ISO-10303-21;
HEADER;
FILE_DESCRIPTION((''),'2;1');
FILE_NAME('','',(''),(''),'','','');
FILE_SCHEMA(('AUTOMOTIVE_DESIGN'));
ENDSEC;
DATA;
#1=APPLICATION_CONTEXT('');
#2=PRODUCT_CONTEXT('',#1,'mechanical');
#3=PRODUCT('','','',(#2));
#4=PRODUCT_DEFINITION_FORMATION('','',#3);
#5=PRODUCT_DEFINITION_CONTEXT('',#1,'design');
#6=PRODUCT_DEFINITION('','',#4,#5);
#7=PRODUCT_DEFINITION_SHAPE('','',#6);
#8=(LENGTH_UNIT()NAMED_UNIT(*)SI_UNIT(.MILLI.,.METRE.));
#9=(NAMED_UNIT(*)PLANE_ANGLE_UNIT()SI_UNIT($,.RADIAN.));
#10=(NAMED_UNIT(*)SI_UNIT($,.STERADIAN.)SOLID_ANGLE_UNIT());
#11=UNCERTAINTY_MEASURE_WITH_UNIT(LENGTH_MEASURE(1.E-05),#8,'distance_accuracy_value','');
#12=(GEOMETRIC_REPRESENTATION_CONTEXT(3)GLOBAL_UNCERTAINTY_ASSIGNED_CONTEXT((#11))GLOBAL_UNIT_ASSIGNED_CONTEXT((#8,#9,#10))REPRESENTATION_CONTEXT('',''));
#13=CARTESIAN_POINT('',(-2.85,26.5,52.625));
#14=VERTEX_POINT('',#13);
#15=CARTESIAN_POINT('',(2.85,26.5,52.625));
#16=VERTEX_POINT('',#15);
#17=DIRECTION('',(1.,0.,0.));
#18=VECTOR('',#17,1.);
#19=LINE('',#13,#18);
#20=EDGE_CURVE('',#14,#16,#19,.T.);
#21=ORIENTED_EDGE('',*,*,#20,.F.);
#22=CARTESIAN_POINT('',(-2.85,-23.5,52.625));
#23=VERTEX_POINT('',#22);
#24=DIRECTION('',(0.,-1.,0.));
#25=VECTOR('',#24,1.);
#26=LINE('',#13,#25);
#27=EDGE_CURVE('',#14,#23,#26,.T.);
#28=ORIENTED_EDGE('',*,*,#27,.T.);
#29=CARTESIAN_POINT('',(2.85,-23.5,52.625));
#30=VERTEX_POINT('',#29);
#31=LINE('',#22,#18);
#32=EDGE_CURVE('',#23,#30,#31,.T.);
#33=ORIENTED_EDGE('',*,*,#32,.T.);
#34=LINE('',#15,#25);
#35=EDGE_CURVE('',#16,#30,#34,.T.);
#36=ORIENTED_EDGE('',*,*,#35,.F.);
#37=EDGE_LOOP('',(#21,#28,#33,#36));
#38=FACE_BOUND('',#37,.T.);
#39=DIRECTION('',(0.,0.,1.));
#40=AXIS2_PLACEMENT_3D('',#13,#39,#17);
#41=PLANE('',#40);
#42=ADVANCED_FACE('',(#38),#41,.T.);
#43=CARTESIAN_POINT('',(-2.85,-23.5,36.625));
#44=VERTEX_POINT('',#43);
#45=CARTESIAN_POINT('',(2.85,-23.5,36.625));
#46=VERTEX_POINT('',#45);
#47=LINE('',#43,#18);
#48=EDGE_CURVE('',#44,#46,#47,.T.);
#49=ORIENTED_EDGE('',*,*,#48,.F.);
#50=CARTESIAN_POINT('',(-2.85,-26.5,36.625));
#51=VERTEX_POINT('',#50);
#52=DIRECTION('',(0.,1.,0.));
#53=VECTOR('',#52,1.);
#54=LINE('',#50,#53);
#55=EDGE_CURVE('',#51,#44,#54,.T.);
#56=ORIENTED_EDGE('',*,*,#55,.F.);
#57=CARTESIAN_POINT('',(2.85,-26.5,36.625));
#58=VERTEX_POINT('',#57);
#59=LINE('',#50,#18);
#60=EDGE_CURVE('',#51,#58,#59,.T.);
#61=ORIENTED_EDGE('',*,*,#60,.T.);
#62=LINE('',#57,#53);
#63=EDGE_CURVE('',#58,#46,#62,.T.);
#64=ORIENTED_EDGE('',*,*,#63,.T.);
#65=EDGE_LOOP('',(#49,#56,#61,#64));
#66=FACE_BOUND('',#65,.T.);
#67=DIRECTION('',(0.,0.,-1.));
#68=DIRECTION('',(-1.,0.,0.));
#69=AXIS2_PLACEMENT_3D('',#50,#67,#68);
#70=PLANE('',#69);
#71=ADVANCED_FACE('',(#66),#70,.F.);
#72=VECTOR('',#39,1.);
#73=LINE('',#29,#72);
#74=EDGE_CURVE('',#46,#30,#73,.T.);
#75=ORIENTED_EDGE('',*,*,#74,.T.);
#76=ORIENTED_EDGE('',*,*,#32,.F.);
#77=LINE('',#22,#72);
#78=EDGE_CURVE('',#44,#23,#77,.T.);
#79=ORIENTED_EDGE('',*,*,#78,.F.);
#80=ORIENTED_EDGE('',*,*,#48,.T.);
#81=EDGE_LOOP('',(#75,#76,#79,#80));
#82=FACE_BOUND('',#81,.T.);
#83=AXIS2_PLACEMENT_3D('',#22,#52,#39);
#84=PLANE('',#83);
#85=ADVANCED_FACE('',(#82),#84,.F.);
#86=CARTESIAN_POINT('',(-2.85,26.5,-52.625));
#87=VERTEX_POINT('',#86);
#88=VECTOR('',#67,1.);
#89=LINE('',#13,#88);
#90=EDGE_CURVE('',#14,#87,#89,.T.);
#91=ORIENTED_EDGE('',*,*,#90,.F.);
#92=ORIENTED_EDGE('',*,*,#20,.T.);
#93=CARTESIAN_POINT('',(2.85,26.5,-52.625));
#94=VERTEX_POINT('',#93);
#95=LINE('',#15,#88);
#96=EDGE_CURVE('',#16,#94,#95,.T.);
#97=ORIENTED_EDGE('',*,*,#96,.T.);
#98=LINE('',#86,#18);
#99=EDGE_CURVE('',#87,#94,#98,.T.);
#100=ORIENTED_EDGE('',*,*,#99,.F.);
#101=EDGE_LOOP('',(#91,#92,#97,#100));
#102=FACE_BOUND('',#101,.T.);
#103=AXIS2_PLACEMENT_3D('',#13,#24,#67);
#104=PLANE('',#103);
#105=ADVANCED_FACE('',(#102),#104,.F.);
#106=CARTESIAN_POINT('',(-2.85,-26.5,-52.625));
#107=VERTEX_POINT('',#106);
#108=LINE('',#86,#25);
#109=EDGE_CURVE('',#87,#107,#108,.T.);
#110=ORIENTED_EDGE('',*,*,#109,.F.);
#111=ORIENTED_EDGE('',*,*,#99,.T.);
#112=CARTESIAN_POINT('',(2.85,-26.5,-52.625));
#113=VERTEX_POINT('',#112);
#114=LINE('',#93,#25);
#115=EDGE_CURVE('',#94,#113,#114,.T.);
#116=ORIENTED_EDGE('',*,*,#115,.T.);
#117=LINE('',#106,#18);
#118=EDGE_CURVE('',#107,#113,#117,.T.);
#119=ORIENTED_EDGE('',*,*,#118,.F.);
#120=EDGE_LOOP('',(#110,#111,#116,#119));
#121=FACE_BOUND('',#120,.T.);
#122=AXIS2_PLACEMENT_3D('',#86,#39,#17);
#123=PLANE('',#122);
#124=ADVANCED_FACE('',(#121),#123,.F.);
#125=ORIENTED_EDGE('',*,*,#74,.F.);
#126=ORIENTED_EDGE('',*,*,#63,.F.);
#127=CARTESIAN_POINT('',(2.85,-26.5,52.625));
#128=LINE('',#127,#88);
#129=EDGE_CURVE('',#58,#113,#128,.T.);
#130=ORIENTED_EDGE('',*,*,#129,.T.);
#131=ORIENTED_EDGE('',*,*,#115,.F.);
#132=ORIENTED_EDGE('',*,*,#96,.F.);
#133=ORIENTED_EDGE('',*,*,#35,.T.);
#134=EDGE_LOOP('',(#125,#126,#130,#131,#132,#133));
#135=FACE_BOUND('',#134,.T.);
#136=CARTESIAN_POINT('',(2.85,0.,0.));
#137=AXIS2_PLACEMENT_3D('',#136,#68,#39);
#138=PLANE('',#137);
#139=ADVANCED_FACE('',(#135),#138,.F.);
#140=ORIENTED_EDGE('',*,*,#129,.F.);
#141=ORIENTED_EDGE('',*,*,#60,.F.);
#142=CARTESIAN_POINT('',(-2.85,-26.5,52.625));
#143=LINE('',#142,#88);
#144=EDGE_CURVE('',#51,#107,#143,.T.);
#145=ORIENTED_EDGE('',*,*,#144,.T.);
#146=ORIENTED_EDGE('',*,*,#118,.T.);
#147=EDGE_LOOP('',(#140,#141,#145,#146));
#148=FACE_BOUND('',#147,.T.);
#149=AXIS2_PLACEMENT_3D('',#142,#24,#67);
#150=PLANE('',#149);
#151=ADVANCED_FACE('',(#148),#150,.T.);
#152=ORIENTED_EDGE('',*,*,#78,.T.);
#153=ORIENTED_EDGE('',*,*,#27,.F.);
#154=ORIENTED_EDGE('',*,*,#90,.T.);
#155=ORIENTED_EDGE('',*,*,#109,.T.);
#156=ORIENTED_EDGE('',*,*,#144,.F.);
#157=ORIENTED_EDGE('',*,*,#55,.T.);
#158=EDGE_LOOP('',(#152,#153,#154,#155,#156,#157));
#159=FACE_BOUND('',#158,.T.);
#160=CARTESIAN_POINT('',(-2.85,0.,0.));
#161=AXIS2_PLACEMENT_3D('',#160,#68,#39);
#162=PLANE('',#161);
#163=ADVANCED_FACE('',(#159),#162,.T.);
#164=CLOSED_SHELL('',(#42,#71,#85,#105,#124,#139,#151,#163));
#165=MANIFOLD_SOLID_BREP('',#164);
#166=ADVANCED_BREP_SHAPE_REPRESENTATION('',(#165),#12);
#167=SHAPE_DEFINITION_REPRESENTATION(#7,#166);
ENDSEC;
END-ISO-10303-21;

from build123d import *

# Parameters (mm, degrees)
BOSS_EXTRUDE1_DEPTH      = 2.85
BOSS_EXTRUDE1_DEPTH_BACK = 2.85
SKETCH1_W                = 105.25
SKETCH1_H                = 53
SKETCH2_W                = 16
SKETCH2_H                = 3
CUT_EXTRUDE1_DEPTH       = 60.19569769


with BuildPart() as part:
    # Sketch1 → Boss-Extrude1 (new, two sides: drawn at the far end of the back side and taken through both)
    with BuildSketch(Plane(origin=(0, 0, 0), x_dir=(0, 0, -1), z_dir=(1, 0, 0)).offset(-BOSS_EXTRUDE1_DEPTH_BACK)):
        Rectangle(SKETCH1_W, SKETCH1_H)
    extrude(amount=BOSS_EXTRUDE1_DEPTH + BOSS_EXTRUDE1_DEPTH_BACK)

    # Sketch2 → Cut-Extrude1 (cut, through all)
    with BuildSketch(Plane(origin=(2.85, 0, 0), x_dir=(0, 0, -1), z_dir=(1, 0, 0))):
        with Locations((-44.625, -25)):
            Rectangle(SKETCH2_W, SKETCH2_H)
    extrude(amount=-CUT_EXTRUDE1_DEPTH, mode=Mode.SUBTRACT)


solid = part.part
